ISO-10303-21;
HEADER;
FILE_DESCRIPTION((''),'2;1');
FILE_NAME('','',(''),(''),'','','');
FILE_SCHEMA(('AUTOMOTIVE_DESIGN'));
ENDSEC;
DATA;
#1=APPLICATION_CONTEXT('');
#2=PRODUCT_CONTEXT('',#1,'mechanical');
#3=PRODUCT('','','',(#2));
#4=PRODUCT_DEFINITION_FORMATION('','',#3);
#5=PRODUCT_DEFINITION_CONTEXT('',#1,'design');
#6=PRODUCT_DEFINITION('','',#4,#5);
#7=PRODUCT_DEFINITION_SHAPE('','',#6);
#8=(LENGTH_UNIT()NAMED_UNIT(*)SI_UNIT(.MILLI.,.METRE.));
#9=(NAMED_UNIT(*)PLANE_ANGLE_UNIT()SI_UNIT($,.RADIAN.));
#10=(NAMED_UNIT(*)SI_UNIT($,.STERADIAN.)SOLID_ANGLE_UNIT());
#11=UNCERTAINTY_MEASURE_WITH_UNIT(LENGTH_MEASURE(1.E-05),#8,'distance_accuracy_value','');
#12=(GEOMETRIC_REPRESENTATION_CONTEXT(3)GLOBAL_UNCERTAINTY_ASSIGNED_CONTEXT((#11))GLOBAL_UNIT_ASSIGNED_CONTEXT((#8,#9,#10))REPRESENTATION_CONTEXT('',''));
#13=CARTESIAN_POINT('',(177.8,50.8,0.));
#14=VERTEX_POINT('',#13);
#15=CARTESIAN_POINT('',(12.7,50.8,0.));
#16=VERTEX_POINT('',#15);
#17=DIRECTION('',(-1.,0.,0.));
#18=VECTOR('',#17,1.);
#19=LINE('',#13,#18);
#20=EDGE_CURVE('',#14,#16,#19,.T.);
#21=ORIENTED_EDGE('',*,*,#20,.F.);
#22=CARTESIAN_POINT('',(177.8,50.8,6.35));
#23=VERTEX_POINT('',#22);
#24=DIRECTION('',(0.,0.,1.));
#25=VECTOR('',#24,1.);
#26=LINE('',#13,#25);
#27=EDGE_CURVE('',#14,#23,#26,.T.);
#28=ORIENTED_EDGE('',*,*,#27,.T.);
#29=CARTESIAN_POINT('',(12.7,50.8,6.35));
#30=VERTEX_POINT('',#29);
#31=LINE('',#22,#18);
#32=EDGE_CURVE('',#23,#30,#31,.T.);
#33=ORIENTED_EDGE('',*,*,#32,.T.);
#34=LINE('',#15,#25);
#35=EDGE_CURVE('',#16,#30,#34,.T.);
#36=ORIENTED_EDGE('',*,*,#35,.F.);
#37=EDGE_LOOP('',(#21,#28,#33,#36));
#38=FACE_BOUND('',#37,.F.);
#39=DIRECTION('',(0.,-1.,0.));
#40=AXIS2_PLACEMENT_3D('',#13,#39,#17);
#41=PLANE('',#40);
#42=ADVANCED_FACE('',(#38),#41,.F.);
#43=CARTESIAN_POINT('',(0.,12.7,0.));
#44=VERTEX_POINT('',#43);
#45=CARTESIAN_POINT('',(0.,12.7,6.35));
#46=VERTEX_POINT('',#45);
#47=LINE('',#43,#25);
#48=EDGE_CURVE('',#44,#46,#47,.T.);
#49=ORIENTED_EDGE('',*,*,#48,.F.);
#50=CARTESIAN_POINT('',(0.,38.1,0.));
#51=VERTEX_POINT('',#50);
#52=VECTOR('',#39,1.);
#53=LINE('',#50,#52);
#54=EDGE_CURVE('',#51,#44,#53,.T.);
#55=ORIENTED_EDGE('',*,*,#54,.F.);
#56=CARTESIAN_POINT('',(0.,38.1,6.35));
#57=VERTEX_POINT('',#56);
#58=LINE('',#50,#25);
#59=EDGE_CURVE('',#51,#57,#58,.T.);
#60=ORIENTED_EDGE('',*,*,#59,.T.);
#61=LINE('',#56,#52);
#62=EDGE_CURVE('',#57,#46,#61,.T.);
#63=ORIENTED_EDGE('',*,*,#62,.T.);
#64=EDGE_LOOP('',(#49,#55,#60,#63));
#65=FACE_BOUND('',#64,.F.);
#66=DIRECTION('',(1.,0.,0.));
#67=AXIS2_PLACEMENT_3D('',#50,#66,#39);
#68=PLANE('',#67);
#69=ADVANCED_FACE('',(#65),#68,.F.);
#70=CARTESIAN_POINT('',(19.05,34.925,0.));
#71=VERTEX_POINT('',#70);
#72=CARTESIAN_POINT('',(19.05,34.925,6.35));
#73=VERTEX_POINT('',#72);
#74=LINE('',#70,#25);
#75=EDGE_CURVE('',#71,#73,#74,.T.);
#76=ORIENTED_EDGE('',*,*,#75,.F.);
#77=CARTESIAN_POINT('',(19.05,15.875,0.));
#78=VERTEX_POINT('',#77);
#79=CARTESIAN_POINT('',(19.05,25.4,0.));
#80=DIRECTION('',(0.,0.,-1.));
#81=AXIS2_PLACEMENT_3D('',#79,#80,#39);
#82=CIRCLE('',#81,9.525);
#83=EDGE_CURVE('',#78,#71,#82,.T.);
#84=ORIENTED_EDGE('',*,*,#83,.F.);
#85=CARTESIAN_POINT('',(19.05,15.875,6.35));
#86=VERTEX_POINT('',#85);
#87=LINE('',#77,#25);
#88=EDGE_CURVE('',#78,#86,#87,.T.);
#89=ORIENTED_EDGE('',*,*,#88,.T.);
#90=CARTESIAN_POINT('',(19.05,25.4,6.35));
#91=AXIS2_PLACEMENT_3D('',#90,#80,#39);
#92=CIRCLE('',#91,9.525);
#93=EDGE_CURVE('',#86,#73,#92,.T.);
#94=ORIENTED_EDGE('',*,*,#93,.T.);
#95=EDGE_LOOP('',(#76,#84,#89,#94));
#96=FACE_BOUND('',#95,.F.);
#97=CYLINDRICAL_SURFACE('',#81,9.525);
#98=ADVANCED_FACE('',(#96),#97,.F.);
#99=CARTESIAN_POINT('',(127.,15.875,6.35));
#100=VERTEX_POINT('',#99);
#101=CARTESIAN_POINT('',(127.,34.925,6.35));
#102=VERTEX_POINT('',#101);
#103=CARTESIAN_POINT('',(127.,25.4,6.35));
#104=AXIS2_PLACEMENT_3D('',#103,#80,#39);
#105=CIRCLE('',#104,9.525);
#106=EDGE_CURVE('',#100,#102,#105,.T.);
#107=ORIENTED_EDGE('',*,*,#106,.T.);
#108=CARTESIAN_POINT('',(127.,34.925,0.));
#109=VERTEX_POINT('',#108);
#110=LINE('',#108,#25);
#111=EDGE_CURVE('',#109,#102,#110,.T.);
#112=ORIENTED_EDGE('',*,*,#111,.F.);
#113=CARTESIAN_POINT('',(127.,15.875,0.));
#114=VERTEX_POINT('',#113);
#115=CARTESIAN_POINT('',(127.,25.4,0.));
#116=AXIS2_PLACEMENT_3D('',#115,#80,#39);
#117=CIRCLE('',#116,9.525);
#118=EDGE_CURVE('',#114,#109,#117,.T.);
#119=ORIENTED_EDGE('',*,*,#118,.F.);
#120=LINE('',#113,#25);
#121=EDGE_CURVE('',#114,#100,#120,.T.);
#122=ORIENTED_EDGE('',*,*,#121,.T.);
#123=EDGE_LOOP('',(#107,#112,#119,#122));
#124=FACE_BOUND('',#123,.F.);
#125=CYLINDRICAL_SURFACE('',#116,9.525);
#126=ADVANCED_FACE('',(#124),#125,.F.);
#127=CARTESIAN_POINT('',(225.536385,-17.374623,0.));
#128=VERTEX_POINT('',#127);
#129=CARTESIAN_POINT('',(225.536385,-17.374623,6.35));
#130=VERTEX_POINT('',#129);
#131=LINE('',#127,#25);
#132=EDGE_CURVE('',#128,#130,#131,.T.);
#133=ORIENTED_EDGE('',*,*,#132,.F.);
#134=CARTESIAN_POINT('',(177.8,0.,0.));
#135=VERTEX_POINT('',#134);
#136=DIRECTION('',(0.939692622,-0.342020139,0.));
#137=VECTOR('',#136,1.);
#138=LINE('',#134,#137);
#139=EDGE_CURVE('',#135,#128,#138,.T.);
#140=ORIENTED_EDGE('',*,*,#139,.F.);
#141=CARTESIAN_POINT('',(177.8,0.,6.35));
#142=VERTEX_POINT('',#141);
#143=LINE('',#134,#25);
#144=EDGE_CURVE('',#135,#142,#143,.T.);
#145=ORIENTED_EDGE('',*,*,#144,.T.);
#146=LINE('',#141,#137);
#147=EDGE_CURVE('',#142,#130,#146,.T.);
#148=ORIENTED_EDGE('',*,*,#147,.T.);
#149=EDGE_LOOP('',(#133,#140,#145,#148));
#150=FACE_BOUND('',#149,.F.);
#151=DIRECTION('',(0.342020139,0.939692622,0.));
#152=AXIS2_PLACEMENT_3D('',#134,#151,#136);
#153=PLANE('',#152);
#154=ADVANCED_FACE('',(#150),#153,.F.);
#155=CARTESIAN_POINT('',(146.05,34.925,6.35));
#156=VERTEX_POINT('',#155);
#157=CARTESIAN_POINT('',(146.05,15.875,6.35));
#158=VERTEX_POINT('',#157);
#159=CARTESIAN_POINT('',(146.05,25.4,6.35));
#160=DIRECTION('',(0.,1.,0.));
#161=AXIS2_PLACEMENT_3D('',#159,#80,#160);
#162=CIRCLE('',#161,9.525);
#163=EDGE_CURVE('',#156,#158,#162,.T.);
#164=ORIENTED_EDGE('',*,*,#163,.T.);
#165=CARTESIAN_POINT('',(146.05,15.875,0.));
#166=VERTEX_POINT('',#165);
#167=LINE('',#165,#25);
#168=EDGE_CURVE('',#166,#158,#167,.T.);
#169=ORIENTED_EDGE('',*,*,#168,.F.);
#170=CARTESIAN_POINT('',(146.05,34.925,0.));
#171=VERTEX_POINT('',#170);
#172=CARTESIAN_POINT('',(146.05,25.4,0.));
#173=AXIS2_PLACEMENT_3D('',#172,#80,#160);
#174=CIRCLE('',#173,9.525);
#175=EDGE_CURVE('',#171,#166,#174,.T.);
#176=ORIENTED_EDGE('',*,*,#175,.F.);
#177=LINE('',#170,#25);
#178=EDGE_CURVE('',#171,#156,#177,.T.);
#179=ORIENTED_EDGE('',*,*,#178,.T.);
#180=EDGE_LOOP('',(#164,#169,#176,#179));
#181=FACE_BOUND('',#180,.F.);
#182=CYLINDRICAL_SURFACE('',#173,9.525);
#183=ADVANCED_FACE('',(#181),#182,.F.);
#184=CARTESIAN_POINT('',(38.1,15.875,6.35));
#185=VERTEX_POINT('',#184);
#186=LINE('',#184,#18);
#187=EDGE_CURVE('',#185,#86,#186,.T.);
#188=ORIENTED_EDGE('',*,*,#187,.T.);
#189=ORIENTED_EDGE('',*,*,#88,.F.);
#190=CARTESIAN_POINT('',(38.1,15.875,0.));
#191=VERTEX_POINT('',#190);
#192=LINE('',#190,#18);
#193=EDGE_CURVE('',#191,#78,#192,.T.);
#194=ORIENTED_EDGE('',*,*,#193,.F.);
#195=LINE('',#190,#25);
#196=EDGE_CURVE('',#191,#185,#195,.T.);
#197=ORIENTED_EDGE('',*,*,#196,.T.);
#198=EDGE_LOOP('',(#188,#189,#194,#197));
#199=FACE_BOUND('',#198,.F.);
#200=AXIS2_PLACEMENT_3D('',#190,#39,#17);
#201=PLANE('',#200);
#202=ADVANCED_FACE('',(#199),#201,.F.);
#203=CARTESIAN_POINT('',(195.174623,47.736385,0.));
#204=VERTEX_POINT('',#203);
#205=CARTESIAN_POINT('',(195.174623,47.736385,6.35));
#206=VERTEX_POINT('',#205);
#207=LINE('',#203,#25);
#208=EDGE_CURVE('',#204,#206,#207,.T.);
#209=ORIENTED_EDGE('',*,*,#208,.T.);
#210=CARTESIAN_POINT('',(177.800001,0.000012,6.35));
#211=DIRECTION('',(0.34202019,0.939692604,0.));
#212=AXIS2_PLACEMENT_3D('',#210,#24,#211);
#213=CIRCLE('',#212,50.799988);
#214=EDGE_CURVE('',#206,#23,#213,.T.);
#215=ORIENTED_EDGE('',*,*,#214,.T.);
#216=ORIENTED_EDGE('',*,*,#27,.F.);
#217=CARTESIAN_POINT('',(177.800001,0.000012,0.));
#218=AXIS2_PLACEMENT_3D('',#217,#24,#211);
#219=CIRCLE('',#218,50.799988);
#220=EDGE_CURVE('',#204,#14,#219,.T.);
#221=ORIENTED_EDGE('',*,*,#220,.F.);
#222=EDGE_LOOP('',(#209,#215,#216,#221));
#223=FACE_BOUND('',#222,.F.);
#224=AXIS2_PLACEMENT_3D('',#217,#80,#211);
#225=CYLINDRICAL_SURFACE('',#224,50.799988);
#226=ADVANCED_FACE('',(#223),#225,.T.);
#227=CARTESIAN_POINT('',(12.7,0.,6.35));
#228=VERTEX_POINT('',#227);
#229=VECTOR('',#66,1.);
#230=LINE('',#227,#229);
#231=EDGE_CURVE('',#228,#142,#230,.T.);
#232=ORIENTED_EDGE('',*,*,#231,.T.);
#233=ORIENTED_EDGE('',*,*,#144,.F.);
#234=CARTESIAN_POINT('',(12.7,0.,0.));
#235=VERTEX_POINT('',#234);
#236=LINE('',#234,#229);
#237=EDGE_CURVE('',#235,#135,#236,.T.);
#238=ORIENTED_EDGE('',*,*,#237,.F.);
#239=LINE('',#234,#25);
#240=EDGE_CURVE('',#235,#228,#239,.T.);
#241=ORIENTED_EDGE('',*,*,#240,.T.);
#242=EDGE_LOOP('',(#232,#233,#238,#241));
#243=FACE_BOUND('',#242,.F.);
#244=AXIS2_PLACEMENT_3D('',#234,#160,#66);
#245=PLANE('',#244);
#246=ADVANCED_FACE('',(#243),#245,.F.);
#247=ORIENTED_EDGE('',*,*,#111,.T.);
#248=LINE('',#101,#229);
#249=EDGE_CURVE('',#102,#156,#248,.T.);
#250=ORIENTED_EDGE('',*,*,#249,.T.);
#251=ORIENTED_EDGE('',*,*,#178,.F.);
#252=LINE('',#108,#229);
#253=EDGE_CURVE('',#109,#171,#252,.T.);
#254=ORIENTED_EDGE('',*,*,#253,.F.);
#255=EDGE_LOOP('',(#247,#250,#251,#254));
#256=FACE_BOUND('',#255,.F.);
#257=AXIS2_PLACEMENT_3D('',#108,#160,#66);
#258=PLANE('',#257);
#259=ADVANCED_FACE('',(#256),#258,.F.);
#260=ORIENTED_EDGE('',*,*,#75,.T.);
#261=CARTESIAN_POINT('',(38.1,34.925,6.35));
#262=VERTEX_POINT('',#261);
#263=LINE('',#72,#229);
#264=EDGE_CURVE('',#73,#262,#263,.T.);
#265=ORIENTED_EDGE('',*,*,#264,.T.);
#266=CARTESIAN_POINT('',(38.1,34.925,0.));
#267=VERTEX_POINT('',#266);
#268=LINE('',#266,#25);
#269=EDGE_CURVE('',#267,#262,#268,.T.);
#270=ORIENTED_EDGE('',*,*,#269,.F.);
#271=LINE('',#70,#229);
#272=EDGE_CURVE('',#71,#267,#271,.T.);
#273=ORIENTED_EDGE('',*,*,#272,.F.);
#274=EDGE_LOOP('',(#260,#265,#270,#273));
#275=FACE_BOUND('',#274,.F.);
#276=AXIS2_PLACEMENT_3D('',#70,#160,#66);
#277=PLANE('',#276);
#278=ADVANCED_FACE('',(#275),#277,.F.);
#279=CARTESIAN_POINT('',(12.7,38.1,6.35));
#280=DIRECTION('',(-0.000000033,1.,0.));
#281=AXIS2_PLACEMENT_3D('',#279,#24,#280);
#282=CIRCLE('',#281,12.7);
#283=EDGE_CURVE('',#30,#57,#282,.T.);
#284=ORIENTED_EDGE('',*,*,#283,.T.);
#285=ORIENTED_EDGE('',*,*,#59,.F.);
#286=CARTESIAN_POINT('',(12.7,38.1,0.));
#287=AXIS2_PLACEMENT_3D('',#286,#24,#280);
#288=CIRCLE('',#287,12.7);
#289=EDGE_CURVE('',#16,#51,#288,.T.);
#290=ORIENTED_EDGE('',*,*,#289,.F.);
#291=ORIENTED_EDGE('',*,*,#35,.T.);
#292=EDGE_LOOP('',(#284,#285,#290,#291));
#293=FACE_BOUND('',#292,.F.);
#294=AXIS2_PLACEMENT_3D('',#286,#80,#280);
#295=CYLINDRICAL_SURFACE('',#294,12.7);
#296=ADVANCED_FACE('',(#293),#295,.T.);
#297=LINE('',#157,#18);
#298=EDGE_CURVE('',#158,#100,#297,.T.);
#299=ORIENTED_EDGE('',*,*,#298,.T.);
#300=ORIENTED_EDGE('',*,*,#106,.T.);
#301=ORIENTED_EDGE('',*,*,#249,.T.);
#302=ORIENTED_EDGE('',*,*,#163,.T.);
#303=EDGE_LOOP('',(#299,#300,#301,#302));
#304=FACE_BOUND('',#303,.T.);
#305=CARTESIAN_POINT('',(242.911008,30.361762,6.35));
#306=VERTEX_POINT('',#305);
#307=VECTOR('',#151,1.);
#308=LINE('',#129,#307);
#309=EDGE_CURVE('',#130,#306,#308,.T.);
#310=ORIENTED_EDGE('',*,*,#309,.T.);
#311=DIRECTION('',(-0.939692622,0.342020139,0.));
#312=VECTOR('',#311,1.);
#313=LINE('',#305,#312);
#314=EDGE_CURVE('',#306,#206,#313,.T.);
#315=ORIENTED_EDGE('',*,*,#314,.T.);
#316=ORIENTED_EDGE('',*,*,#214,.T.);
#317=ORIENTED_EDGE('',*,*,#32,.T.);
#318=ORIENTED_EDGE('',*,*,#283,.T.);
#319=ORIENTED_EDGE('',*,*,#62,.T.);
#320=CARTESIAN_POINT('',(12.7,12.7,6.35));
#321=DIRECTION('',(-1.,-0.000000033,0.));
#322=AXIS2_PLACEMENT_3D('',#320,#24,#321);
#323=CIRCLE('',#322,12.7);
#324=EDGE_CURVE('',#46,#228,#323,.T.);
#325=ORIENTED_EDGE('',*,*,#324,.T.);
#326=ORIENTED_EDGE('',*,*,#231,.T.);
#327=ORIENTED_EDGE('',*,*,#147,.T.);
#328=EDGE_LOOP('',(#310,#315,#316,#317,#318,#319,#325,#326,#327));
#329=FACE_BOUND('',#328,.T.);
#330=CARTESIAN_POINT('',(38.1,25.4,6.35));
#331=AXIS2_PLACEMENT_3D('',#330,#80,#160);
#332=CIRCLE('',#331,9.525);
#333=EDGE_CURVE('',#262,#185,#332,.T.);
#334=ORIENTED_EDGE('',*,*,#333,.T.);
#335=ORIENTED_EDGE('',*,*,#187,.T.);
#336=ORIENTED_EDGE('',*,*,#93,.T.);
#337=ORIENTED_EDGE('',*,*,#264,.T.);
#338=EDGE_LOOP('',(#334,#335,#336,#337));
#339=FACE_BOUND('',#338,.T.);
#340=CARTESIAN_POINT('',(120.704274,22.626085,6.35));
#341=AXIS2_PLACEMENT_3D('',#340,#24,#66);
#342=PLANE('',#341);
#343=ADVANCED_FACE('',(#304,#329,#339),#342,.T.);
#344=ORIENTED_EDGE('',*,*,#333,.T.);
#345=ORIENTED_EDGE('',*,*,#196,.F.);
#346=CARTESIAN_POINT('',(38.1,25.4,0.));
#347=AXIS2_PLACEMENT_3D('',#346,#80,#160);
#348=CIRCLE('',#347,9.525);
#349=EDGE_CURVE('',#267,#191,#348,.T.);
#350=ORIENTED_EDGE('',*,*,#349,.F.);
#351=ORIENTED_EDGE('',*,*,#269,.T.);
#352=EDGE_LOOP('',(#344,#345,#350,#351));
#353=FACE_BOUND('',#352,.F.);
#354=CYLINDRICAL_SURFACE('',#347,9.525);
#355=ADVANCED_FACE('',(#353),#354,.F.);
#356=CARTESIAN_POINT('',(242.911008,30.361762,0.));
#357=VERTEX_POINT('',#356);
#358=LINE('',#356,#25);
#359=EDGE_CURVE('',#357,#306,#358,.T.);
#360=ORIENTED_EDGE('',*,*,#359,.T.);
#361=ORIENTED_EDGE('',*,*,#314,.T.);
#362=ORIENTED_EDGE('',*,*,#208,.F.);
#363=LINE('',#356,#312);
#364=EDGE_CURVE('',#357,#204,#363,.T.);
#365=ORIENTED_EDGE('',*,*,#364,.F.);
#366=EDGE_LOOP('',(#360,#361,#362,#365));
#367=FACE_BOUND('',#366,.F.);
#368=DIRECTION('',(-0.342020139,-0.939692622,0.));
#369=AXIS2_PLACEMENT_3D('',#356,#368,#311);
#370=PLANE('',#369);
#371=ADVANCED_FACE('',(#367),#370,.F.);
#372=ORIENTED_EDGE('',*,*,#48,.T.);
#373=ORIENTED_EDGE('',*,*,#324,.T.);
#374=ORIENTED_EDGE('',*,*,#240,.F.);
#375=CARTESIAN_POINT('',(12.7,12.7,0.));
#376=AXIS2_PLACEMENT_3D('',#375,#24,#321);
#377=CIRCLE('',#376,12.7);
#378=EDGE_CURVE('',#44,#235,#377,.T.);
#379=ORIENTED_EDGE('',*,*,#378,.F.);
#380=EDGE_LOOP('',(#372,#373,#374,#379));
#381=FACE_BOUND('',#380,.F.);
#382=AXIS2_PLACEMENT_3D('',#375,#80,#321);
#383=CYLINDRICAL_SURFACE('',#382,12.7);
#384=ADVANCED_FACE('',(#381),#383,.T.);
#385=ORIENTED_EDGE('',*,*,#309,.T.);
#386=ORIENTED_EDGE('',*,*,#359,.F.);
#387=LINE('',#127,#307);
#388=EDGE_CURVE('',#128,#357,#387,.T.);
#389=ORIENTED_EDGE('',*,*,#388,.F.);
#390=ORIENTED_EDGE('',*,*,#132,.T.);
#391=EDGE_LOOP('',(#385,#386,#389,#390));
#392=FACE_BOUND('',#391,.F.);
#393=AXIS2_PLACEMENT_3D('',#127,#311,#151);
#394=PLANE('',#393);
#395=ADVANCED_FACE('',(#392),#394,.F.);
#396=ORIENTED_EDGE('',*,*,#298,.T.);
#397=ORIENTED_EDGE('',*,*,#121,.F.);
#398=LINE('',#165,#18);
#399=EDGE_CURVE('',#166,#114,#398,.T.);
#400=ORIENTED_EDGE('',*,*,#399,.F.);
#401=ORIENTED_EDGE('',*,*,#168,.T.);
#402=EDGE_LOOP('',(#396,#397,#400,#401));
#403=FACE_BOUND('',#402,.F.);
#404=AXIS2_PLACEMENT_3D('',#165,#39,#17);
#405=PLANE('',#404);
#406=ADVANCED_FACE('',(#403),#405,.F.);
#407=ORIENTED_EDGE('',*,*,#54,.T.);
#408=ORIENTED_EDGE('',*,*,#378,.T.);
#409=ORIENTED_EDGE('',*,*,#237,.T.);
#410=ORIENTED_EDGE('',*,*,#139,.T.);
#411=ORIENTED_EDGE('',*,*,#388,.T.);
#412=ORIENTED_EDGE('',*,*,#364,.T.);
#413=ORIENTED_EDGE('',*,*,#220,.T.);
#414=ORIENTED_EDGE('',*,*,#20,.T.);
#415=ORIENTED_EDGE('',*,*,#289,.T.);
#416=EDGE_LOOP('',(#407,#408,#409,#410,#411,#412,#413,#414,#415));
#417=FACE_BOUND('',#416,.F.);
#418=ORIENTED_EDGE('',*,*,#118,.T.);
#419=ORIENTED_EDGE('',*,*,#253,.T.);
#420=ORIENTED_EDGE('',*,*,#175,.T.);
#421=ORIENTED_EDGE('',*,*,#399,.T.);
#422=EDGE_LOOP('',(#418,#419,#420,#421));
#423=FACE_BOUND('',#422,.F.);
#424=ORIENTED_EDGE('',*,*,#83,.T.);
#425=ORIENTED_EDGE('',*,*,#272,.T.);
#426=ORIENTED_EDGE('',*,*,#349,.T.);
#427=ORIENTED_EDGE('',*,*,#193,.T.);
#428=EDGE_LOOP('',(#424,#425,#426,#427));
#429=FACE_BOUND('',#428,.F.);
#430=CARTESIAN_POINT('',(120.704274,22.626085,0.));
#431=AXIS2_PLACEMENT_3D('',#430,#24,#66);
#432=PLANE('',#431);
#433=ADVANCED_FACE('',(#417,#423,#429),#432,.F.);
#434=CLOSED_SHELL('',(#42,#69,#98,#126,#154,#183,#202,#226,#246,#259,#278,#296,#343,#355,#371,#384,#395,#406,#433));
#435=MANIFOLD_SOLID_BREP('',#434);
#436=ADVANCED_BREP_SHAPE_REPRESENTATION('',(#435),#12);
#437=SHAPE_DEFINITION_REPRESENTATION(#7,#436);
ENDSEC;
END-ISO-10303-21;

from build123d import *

# Parameters (mm, degrees)
F1_DEPTH = 6.35


with BuildPart() as f1:
    # F0 (on Top) → F1 (new body)
    with BuildSketch(Plane.XY):
        with BuildLine():
            ThreePointArc((0, 12.7), (3.719744, 3.719744), (12.7, 0))
            Line((12.7, 0), (177.8, 0))
            Line((177.8, 0), (225.536385, -17.374623))
            Line((225.536385, -17.374623), (242.911008, 30.361762))
            Line((242.911008, 30.361762), (195.174623, 47.736385))
            ThreePointArc((195.174623, 47.736385), (186.621327, 50.028234), (177.8, 50.8))
            Line((177.8, 50.8), (12.7, 50.8))
            ThreePointArc((12.7, 50.8), (3.719744, 47.080256), (0, 38.1))
            Line((0, 38.1), (0, 12.7))
        make_face()
        with BuildLine():
            ThreePointArc((19.05, 15.875), (9.525, 25.4), (19.05, 34.925))
            Line((19.05, 34.925), (38.1, 34.925))
            ThreePointArc((38.1, 34.925), (47.625, 25.4), (38.1, 15.875))
            Line((38.1, 15.875), (19.05, 15.875))
        make_face(mode=Mode.SUBTRACT)
        with BuildLine():
            ThreePointArc((127, 15.875), (117.475, 25.4), (127, 34.925))
            Line((127, 34.925), (146.05, 34.925))
            ThreePointArc((146.05, 34.925), (155.575, 25.4), (146.05, 15.875))
            Line((146.05, 15.875), (127, 15.875))
        make_face(mode=Mode.SUBTRACT)
    extrude(amount=F1_DEPTH)


solid = f1.part
